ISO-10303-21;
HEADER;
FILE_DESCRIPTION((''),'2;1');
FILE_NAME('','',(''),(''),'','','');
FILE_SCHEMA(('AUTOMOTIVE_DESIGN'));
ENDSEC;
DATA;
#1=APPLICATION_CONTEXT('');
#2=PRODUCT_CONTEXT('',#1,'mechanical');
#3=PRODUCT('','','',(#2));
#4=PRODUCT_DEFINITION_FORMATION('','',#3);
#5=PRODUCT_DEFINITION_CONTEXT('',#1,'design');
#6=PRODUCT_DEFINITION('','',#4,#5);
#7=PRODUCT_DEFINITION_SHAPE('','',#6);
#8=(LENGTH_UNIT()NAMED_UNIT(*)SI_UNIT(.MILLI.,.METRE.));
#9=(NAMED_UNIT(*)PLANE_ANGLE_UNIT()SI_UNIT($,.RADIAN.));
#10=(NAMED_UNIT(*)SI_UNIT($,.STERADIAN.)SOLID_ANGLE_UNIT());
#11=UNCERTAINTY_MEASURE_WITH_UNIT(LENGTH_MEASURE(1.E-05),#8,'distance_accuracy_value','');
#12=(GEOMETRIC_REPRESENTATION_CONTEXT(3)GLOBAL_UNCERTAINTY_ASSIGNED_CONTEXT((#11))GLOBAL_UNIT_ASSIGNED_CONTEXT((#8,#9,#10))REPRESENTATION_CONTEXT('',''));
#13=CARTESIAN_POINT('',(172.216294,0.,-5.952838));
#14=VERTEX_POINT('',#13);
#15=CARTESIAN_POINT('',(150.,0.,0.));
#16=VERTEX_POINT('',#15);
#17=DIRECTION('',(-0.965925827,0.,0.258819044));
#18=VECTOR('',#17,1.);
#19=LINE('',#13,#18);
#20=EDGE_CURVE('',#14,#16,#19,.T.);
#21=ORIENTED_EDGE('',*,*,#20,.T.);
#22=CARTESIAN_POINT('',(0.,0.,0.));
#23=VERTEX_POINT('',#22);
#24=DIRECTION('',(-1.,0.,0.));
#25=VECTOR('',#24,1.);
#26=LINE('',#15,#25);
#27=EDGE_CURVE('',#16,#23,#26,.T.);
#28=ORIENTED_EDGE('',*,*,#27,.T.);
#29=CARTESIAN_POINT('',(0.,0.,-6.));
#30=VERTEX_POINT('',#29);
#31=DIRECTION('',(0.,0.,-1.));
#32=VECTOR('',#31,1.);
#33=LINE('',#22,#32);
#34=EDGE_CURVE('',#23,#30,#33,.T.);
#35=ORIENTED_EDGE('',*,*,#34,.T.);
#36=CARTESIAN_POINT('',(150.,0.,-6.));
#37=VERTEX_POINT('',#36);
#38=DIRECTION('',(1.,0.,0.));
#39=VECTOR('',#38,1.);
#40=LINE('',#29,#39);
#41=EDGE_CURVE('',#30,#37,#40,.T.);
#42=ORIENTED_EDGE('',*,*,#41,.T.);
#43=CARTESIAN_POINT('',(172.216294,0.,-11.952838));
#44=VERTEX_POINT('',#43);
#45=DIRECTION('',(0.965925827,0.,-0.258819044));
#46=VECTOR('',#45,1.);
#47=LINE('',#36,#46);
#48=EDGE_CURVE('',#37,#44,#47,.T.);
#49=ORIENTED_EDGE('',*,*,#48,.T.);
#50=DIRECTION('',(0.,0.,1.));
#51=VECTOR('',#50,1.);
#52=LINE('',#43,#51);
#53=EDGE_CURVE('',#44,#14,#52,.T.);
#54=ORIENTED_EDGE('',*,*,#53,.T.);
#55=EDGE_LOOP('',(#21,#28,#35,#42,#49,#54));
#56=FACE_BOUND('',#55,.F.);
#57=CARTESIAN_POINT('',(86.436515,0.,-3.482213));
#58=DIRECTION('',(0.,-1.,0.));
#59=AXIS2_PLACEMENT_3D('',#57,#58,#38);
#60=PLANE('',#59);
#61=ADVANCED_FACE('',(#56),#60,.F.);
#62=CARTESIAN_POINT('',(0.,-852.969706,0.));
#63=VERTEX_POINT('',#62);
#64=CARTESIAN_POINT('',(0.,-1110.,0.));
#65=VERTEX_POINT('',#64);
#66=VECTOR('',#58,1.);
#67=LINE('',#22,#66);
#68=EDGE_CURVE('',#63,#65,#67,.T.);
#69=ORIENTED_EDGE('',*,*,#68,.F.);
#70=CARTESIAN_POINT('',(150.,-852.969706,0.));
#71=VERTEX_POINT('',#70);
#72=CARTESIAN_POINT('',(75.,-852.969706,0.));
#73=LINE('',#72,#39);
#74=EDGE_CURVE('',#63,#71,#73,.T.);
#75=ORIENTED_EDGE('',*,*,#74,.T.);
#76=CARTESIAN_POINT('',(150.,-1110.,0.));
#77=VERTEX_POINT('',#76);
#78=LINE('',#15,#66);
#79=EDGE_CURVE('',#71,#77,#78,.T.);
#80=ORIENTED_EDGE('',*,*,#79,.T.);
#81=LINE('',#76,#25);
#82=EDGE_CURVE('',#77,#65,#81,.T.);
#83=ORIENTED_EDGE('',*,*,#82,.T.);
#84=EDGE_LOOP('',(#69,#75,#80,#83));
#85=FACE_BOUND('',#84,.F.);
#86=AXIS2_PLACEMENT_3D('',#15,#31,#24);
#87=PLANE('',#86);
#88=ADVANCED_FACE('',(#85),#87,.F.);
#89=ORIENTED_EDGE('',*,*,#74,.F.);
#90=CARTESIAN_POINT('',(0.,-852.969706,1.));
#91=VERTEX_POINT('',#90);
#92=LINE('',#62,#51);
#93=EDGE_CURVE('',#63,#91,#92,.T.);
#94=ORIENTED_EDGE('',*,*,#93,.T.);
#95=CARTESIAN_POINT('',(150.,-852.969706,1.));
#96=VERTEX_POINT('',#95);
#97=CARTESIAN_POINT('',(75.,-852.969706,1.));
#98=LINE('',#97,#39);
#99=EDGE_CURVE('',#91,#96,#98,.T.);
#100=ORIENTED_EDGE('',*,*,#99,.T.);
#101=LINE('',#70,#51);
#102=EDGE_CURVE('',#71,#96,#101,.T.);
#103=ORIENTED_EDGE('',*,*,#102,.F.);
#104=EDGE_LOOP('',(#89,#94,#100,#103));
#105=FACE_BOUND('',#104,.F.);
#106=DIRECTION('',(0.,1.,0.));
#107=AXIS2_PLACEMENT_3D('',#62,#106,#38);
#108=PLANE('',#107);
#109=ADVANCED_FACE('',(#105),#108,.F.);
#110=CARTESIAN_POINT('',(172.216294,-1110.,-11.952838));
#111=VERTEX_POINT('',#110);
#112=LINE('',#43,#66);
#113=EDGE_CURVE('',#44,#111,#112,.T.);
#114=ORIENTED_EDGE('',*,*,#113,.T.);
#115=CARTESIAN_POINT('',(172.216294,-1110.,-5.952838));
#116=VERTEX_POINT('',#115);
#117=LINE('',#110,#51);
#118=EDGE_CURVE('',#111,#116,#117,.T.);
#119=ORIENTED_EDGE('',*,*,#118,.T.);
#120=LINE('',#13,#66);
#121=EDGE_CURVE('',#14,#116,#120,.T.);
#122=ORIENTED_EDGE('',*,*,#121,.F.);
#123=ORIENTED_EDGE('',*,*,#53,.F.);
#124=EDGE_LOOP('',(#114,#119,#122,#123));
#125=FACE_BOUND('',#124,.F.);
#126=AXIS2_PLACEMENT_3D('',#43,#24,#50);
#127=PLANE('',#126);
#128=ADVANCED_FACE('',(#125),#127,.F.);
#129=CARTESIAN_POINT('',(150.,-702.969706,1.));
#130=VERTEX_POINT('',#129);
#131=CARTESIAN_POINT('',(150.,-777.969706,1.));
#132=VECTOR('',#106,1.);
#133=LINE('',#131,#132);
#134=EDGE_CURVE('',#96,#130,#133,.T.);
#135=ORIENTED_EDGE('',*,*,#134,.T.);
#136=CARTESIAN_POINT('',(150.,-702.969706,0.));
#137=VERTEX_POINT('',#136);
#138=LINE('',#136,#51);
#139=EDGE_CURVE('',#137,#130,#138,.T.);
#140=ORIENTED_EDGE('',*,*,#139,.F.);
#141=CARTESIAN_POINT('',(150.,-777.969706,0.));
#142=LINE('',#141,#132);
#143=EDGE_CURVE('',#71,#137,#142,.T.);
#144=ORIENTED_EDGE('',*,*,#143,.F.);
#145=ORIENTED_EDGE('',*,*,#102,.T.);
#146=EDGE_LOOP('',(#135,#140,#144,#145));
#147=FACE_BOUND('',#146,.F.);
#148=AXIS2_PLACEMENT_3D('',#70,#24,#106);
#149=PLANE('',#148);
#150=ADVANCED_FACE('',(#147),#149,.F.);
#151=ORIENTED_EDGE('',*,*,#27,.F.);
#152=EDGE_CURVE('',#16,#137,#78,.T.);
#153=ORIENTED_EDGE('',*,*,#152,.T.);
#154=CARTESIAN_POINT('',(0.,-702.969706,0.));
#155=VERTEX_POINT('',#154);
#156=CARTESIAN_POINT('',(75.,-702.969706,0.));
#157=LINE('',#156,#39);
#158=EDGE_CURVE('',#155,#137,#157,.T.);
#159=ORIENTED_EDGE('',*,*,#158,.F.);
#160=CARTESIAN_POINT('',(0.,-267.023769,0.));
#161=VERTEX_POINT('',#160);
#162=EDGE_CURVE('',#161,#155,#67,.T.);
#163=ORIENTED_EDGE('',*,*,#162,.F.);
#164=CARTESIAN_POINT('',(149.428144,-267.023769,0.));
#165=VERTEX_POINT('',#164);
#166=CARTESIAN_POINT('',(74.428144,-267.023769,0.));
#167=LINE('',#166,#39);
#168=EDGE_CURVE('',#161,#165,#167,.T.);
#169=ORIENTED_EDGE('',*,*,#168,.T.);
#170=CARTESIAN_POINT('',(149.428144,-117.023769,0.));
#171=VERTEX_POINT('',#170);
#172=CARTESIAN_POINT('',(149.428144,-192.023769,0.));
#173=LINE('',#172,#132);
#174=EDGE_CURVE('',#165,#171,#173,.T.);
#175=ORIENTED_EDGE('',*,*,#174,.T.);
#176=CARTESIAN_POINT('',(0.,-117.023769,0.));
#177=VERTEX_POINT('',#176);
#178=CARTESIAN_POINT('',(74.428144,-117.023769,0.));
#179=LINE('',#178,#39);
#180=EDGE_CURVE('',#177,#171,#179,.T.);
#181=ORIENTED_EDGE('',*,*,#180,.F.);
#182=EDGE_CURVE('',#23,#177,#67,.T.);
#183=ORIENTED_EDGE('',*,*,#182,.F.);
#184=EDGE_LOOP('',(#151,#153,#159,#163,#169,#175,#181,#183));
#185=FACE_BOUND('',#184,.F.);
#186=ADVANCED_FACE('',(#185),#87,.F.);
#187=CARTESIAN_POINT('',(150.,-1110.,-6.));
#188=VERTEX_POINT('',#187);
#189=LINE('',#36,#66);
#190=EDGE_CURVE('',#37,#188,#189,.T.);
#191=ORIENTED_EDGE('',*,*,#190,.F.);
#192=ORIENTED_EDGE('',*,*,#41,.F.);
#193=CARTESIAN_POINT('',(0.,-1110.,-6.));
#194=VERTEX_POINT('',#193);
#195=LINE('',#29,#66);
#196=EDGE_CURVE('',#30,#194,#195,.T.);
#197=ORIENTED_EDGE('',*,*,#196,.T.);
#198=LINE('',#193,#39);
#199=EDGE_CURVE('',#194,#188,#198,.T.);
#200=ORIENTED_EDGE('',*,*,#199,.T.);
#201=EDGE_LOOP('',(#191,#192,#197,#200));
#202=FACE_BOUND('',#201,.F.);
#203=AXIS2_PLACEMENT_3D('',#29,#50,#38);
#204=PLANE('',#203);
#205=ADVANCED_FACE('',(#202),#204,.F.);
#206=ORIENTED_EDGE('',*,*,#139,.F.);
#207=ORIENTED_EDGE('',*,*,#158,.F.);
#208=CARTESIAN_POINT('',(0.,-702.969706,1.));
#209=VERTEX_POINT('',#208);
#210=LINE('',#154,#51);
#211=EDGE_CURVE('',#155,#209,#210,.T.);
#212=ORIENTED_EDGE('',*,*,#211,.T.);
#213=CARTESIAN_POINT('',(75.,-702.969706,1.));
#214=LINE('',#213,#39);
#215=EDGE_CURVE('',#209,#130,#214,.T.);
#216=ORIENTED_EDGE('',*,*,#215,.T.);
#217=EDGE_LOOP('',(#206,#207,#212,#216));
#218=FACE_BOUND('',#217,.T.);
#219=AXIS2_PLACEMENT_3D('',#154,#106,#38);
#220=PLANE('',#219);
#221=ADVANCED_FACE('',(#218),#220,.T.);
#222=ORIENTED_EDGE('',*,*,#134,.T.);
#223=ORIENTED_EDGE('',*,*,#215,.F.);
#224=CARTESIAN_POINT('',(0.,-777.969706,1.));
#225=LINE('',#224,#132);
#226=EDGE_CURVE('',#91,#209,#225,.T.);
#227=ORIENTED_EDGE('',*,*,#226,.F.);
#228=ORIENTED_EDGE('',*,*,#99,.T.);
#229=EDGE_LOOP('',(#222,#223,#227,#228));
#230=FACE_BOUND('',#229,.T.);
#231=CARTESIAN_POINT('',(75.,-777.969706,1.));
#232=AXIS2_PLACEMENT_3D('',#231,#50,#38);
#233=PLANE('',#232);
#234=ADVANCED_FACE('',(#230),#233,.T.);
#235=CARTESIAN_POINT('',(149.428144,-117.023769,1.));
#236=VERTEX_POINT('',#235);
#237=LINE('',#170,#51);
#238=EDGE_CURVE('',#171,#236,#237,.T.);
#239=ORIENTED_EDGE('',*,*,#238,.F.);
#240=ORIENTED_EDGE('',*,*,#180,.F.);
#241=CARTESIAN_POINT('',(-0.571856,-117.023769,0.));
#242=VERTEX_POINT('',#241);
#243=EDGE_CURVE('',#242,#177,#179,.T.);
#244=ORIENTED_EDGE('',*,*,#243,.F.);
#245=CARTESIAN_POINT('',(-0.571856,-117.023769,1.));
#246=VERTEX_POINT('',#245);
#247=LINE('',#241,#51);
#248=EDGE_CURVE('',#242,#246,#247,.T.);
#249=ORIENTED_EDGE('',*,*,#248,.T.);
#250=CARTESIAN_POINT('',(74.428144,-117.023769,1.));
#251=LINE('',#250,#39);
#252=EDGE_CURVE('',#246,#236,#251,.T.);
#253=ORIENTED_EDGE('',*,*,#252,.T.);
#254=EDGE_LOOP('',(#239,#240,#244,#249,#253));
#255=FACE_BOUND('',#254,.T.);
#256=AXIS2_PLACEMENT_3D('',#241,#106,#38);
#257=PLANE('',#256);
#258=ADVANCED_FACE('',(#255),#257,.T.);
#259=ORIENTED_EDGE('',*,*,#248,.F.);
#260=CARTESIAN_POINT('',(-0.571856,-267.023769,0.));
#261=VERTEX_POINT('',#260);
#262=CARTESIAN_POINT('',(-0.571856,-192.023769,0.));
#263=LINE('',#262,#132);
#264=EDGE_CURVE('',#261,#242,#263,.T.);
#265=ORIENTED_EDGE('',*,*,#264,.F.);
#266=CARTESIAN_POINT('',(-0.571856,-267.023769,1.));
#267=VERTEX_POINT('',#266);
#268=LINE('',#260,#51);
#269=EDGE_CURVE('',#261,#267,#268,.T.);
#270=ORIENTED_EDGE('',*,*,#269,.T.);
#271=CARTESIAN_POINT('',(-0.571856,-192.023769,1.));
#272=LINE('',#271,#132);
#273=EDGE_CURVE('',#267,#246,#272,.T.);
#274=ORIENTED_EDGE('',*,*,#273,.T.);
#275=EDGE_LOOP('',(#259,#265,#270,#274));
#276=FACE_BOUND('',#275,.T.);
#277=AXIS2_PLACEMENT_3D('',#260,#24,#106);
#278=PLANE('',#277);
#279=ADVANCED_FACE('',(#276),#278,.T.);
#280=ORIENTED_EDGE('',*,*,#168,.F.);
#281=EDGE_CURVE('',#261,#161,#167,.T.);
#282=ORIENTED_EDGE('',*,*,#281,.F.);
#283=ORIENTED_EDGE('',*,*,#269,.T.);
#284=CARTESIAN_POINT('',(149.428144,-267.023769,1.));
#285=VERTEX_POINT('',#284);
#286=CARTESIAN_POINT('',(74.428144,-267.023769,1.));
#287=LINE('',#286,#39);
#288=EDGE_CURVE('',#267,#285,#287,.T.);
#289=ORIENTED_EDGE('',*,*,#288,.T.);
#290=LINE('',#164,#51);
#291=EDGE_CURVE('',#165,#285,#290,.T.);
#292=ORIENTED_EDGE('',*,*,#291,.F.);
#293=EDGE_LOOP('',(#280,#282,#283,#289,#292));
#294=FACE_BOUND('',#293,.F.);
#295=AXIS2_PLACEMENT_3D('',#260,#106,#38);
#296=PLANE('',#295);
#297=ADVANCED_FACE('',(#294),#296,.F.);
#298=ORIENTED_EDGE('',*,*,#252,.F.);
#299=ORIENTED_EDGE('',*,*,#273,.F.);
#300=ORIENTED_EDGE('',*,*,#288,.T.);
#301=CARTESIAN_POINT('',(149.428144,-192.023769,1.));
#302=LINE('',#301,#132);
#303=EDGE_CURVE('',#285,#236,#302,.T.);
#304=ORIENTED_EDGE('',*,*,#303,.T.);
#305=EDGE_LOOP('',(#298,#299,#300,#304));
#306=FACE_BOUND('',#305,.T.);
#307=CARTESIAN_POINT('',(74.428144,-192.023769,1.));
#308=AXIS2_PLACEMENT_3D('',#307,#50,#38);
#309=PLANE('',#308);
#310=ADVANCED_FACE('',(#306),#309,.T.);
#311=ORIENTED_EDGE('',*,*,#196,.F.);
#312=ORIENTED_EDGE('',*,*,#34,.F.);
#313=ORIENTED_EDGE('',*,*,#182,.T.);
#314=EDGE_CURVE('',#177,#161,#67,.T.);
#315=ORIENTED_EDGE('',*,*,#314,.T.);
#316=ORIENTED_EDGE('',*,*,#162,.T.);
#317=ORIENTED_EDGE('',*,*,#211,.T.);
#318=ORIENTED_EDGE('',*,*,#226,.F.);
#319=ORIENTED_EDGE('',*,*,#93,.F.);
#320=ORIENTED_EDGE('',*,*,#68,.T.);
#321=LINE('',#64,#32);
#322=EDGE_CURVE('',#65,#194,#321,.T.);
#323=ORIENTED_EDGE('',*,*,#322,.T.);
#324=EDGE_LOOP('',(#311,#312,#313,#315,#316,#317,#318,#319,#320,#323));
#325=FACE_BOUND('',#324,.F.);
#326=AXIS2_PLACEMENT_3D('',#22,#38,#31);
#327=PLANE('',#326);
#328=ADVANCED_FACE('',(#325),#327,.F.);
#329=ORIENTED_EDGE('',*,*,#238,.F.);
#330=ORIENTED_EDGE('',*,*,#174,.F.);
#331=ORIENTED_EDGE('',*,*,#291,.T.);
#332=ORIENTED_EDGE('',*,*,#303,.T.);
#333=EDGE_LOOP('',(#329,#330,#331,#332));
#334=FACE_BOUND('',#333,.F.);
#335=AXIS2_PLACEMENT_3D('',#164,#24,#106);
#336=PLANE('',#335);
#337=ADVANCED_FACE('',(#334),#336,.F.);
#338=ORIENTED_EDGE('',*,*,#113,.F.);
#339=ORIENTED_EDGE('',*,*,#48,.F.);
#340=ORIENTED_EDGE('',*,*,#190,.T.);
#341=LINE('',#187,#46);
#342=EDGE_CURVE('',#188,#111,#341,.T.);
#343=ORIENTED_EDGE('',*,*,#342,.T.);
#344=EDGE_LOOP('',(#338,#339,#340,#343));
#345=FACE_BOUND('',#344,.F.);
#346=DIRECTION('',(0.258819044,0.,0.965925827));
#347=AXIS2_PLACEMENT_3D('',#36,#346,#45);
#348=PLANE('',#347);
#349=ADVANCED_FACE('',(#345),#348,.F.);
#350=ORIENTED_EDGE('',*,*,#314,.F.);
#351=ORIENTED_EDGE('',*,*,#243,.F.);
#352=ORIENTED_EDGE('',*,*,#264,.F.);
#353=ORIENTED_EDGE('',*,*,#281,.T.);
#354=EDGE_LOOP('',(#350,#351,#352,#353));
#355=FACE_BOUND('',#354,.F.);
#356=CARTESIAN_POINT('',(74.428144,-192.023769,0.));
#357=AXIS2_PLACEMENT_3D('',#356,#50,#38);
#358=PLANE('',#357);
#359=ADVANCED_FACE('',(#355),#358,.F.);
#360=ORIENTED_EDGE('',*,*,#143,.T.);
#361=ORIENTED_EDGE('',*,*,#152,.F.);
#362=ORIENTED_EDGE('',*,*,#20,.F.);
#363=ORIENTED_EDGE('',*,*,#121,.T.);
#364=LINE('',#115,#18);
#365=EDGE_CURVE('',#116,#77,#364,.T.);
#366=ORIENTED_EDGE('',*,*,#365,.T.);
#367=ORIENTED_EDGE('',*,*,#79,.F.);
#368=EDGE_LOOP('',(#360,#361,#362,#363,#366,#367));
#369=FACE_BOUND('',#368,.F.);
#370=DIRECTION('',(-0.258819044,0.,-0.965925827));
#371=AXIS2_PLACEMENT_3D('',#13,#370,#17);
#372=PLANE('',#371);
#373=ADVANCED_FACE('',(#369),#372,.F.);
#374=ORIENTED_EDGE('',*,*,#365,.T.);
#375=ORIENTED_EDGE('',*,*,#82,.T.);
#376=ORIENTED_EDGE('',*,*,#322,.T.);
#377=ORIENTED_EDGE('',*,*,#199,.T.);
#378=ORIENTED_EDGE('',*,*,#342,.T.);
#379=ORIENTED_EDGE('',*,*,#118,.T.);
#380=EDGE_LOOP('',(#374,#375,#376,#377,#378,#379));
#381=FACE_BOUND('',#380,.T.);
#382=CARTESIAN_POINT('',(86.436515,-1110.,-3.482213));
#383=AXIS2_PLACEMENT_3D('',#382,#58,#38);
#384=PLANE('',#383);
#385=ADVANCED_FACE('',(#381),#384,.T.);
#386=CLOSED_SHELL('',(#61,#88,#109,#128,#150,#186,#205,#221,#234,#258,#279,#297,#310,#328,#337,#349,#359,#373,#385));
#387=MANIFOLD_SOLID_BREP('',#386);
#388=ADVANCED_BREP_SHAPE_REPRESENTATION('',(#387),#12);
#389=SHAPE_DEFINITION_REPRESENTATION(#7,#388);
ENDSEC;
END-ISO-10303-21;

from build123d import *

# Parameters (mm, degrees)
F1_DEPTH = 1110
F2_W     = 150
F2_H     = 150
F3_DEPTH = 1


with BuildPart() as f1:
    # F0 (on Front) → F1 (new body)
    with BuildSketch(Plane.XZ):
        Polygon((150, 0), (0, 0), (0, -6), (150, -6), (172.216294, -11.952838), (172.216294, -5.952838), align=None)
    extrude(amount=F1_DEPTH)

    # F2 (on face) → F3 (join)
    with BuildSketch(Plane.XY):
        with Locations((74.428144, -192.023769)):
            Rectangle(F2_W, F2_H)
        with Locations((75, -777.969706)):
            Rectangle(F2_W, F2_H)
    extrude(amount=F3_DEPTH)


solid = f1.part
